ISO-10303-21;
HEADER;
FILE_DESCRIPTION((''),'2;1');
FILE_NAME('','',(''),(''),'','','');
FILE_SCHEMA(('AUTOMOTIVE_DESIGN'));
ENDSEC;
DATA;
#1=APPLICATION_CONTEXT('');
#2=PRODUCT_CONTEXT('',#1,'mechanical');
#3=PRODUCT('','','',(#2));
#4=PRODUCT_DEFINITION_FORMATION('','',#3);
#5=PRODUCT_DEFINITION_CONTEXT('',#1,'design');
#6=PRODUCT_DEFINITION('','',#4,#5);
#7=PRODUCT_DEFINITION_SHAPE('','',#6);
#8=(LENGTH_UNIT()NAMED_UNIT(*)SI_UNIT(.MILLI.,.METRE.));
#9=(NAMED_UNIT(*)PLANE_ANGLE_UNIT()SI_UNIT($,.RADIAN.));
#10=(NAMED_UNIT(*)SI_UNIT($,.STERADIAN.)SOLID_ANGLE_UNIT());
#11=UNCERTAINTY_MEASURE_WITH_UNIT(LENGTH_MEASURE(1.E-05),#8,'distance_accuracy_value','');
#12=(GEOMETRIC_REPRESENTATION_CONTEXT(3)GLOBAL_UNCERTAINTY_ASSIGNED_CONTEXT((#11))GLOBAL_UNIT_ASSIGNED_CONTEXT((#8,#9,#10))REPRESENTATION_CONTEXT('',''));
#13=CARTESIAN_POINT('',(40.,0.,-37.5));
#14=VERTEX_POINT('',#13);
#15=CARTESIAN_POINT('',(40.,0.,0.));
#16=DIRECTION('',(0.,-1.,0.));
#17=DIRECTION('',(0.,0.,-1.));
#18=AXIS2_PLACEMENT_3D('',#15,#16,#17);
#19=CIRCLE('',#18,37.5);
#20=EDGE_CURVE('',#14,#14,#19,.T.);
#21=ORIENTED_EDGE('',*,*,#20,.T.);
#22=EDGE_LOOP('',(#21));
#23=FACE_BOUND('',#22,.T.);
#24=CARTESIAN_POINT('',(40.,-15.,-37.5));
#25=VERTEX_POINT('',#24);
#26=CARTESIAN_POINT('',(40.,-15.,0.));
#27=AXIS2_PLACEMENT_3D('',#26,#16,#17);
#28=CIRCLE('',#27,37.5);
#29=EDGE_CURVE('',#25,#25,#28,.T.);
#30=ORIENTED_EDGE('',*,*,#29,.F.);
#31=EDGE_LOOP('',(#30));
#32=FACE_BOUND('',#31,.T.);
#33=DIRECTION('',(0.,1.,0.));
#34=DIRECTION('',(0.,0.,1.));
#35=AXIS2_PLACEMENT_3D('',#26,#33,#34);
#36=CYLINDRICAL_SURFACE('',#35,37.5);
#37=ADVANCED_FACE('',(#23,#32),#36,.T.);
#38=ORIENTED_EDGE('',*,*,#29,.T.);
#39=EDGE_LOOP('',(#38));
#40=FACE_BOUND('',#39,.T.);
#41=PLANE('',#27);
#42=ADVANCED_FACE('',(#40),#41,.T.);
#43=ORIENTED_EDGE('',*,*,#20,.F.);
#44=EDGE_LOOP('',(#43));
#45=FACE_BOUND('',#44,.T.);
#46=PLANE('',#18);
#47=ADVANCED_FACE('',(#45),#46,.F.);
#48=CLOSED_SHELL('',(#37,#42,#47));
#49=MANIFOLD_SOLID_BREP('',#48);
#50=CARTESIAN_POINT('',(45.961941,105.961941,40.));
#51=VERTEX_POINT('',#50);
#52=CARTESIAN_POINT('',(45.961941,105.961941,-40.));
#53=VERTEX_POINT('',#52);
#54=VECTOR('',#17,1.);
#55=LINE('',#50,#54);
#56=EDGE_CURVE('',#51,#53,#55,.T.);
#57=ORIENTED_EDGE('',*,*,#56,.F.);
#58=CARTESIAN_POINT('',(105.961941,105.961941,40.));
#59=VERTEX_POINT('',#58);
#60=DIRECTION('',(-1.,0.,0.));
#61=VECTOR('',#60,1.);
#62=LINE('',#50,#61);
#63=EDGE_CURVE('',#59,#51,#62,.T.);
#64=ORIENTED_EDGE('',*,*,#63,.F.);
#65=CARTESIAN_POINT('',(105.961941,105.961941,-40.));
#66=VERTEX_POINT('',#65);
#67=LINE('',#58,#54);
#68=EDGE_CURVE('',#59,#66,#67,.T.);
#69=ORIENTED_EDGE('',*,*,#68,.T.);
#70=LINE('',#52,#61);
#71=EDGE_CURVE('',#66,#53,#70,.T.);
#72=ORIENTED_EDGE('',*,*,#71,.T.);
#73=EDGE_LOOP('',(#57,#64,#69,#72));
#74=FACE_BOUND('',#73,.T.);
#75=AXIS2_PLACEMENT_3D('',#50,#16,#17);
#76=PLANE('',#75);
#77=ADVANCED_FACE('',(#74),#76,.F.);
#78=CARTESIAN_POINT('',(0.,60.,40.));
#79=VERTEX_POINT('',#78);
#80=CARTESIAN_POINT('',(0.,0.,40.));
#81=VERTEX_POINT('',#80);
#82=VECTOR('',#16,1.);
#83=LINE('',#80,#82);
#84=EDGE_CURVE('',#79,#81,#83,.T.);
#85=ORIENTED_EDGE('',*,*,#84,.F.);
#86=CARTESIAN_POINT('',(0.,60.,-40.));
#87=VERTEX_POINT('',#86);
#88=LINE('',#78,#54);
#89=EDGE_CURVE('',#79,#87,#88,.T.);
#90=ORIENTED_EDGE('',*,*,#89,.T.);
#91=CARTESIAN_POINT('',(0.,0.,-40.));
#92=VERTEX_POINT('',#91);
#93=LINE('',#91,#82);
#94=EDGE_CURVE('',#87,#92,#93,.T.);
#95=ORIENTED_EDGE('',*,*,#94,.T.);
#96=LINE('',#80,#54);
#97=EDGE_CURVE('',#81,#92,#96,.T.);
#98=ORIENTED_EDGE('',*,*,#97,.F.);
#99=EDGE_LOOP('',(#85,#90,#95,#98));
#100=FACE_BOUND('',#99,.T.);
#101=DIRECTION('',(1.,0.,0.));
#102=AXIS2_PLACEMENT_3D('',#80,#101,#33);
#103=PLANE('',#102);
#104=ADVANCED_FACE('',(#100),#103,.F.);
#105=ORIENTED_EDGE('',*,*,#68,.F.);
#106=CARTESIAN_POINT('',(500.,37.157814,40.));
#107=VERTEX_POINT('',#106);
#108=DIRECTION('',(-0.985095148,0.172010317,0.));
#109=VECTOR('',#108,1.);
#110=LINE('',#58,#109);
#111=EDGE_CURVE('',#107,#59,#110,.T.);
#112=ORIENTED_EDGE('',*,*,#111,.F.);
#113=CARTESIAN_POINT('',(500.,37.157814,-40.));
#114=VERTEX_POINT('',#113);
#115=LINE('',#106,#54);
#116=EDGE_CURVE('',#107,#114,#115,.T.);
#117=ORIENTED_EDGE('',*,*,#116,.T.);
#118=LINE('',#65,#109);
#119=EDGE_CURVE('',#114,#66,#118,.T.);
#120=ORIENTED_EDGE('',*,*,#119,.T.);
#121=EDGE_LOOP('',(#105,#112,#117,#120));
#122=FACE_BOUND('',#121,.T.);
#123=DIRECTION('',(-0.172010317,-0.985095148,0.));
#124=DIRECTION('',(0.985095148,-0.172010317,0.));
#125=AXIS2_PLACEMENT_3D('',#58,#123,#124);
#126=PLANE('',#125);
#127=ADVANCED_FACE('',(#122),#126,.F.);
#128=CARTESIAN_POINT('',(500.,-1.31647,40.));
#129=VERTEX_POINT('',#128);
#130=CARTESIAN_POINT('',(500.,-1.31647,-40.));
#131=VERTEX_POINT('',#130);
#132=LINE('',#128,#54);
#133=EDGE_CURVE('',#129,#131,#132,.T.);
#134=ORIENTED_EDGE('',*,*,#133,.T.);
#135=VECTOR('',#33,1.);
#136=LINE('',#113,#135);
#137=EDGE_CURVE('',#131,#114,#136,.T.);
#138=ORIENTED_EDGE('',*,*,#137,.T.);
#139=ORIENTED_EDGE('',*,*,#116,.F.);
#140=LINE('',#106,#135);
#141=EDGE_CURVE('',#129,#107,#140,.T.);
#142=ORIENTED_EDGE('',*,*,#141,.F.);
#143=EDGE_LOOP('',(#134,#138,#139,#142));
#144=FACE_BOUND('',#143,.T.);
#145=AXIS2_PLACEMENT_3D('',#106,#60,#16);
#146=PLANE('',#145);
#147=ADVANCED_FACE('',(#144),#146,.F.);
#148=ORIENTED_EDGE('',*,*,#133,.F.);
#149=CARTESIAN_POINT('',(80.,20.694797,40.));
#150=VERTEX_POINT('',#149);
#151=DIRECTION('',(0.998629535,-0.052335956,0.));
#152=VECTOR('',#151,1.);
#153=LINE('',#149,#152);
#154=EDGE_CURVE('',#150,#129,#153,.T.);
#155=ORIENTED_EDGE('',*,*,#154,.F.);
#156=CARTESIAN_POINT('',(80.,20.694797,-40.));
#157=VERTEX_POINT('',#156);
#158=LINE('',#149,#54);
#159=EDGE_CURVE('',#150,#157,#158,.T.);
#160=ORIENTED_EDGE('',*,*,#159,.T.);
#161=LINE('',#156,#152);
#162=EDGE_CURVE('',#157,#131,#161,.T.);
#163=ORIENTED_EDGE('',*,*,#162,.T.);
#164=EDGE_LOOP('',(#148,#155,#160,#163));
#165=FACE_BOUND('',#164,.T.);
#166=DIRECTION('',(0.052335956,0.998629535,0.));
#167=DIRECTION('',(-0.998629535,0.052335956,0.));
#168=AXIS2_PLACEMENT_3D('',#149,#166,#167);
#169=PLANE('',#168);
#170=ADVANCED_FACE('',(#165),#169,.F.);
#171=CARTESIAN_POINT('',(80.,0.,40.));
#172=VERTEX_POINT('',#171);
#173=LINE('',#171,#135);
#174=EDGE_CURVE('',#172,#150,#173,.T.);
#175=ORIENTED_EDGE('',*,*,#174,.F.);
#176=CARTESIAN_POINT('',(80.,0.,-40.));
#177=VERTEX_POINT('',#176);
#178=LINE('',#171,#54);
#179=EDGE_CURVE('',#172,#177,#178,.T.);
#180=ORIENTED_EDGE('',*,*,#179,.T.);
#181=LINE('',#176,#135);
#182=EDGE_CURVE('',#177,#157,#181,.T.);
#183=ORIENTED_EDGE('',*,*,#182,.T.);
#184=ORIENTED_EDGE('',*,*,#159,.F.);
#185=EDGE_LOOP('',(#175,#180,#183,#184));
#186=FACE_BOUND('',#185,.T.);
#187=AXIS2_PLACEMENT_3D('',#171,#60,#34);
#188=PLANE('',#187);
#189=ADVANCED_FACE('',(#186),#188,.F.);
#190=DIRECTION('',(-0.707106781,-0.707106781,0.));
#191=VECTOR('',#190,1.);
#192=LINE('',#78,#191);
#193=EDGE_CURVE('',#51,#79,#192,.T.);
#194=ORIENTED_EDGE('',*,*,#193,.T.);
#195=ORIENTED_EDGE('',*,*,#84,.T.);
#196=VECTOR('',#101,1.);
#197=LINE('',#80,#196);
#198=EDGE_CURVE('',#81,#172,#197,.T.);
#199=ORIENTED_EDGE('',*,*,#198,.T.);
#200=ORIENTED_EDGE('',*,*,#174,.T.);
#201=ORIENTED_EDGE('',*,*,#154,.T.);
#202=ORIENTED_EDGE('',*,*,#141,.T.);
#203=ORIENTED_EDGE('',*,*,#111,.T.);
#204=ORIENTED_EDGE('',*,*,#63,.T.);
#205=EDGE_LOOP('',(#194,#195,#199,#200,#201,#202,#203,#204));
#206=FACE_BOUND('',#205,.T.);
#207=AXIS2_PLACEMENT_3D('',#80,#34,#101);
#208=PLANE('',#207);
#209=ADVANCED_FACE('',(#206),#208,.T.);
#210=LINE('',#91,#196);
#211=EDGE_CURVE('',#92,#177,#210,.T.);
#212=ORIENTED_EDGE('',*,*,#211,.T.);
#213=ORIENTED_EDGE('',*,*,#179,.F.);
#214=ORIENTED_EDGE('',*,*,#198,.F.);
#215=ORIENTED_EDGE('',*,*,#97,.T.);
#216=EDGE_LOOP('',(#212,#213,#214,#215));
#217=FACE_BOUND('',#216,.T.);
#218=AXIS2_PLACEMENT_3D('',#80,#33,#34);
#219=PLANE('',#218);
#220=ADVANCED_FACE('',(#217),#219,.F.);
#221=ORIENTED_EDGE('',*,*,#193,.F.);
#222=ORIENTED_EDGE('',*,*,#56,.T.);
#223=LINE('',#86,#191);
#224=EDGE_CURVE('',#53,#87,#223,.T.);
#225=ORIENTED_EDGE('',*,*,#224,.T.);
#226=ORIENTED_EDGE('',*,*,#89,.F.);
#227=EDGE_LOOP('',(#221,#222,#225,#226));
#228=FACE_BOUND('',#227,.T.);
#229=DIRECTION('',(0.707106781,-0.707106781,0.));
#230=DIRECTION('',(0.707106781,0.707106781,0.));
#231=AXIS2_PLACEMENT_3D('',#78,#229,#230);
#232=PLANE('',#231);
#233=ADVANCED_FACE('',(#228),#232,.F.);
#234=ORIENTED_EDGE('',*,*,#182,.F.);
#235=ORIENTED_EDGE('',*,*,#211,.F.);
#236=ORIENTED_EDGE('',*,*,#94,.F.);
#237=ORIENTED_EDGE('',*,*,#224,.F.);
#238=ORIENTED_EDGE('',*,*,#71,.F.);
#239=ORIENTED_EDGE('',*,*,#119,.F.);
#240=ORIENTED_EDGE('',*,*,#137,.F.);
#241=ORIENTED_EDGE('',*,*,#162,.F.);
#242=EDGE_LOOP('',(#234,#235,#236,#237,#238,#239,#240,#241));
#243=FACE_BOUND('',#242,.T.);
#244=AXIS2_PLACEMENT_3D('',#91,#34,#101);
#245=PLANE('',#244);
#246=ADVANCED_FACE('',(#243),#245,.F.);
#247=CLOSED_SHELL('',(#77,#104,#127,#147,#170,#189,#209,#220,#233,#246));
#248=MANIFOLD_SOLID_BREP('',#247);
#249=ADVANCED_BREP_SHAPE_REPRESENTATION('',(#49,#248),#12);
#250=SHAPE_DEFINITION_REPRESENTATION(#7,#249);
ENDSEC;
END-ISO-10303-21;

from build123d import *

# Parameters (mm, degrees)
BOSS_EXTRUDE1_DEPTH = 40
SKETCH2_R           = 37.5
BOSS_EXTRUDE2_DEPTH = 15


with BuildPart() as part:
    # Sketch1 → Boss-Extrude1 (new, symmetric)
    with BuildSketch(Plane.XY):
        Polygon((0, 0), (0, 60), (45.961940777, 105.961940777), (105.961940777, 105.961940777), (500, 37.157813838), (500, -1.316470088), (80, 20.694797211), (80, 0), align=None)
    extrude(amount=BOSS_EXTRUDE1_DEPTH, both=True)


with BuildPart() as body_2:
    # Sketch2 → Boss-Extrude2 (new body)
    with BuildSketch(Plane.XZ):
        with Locations(Location((40, 0, 0), (0, 0, 270))):
            Circle(SKETCH2_R)
    extrude(amount=BOSS_EXTRUDE2_DEPTH)


solid = Compound([part.part, body_2.part])
